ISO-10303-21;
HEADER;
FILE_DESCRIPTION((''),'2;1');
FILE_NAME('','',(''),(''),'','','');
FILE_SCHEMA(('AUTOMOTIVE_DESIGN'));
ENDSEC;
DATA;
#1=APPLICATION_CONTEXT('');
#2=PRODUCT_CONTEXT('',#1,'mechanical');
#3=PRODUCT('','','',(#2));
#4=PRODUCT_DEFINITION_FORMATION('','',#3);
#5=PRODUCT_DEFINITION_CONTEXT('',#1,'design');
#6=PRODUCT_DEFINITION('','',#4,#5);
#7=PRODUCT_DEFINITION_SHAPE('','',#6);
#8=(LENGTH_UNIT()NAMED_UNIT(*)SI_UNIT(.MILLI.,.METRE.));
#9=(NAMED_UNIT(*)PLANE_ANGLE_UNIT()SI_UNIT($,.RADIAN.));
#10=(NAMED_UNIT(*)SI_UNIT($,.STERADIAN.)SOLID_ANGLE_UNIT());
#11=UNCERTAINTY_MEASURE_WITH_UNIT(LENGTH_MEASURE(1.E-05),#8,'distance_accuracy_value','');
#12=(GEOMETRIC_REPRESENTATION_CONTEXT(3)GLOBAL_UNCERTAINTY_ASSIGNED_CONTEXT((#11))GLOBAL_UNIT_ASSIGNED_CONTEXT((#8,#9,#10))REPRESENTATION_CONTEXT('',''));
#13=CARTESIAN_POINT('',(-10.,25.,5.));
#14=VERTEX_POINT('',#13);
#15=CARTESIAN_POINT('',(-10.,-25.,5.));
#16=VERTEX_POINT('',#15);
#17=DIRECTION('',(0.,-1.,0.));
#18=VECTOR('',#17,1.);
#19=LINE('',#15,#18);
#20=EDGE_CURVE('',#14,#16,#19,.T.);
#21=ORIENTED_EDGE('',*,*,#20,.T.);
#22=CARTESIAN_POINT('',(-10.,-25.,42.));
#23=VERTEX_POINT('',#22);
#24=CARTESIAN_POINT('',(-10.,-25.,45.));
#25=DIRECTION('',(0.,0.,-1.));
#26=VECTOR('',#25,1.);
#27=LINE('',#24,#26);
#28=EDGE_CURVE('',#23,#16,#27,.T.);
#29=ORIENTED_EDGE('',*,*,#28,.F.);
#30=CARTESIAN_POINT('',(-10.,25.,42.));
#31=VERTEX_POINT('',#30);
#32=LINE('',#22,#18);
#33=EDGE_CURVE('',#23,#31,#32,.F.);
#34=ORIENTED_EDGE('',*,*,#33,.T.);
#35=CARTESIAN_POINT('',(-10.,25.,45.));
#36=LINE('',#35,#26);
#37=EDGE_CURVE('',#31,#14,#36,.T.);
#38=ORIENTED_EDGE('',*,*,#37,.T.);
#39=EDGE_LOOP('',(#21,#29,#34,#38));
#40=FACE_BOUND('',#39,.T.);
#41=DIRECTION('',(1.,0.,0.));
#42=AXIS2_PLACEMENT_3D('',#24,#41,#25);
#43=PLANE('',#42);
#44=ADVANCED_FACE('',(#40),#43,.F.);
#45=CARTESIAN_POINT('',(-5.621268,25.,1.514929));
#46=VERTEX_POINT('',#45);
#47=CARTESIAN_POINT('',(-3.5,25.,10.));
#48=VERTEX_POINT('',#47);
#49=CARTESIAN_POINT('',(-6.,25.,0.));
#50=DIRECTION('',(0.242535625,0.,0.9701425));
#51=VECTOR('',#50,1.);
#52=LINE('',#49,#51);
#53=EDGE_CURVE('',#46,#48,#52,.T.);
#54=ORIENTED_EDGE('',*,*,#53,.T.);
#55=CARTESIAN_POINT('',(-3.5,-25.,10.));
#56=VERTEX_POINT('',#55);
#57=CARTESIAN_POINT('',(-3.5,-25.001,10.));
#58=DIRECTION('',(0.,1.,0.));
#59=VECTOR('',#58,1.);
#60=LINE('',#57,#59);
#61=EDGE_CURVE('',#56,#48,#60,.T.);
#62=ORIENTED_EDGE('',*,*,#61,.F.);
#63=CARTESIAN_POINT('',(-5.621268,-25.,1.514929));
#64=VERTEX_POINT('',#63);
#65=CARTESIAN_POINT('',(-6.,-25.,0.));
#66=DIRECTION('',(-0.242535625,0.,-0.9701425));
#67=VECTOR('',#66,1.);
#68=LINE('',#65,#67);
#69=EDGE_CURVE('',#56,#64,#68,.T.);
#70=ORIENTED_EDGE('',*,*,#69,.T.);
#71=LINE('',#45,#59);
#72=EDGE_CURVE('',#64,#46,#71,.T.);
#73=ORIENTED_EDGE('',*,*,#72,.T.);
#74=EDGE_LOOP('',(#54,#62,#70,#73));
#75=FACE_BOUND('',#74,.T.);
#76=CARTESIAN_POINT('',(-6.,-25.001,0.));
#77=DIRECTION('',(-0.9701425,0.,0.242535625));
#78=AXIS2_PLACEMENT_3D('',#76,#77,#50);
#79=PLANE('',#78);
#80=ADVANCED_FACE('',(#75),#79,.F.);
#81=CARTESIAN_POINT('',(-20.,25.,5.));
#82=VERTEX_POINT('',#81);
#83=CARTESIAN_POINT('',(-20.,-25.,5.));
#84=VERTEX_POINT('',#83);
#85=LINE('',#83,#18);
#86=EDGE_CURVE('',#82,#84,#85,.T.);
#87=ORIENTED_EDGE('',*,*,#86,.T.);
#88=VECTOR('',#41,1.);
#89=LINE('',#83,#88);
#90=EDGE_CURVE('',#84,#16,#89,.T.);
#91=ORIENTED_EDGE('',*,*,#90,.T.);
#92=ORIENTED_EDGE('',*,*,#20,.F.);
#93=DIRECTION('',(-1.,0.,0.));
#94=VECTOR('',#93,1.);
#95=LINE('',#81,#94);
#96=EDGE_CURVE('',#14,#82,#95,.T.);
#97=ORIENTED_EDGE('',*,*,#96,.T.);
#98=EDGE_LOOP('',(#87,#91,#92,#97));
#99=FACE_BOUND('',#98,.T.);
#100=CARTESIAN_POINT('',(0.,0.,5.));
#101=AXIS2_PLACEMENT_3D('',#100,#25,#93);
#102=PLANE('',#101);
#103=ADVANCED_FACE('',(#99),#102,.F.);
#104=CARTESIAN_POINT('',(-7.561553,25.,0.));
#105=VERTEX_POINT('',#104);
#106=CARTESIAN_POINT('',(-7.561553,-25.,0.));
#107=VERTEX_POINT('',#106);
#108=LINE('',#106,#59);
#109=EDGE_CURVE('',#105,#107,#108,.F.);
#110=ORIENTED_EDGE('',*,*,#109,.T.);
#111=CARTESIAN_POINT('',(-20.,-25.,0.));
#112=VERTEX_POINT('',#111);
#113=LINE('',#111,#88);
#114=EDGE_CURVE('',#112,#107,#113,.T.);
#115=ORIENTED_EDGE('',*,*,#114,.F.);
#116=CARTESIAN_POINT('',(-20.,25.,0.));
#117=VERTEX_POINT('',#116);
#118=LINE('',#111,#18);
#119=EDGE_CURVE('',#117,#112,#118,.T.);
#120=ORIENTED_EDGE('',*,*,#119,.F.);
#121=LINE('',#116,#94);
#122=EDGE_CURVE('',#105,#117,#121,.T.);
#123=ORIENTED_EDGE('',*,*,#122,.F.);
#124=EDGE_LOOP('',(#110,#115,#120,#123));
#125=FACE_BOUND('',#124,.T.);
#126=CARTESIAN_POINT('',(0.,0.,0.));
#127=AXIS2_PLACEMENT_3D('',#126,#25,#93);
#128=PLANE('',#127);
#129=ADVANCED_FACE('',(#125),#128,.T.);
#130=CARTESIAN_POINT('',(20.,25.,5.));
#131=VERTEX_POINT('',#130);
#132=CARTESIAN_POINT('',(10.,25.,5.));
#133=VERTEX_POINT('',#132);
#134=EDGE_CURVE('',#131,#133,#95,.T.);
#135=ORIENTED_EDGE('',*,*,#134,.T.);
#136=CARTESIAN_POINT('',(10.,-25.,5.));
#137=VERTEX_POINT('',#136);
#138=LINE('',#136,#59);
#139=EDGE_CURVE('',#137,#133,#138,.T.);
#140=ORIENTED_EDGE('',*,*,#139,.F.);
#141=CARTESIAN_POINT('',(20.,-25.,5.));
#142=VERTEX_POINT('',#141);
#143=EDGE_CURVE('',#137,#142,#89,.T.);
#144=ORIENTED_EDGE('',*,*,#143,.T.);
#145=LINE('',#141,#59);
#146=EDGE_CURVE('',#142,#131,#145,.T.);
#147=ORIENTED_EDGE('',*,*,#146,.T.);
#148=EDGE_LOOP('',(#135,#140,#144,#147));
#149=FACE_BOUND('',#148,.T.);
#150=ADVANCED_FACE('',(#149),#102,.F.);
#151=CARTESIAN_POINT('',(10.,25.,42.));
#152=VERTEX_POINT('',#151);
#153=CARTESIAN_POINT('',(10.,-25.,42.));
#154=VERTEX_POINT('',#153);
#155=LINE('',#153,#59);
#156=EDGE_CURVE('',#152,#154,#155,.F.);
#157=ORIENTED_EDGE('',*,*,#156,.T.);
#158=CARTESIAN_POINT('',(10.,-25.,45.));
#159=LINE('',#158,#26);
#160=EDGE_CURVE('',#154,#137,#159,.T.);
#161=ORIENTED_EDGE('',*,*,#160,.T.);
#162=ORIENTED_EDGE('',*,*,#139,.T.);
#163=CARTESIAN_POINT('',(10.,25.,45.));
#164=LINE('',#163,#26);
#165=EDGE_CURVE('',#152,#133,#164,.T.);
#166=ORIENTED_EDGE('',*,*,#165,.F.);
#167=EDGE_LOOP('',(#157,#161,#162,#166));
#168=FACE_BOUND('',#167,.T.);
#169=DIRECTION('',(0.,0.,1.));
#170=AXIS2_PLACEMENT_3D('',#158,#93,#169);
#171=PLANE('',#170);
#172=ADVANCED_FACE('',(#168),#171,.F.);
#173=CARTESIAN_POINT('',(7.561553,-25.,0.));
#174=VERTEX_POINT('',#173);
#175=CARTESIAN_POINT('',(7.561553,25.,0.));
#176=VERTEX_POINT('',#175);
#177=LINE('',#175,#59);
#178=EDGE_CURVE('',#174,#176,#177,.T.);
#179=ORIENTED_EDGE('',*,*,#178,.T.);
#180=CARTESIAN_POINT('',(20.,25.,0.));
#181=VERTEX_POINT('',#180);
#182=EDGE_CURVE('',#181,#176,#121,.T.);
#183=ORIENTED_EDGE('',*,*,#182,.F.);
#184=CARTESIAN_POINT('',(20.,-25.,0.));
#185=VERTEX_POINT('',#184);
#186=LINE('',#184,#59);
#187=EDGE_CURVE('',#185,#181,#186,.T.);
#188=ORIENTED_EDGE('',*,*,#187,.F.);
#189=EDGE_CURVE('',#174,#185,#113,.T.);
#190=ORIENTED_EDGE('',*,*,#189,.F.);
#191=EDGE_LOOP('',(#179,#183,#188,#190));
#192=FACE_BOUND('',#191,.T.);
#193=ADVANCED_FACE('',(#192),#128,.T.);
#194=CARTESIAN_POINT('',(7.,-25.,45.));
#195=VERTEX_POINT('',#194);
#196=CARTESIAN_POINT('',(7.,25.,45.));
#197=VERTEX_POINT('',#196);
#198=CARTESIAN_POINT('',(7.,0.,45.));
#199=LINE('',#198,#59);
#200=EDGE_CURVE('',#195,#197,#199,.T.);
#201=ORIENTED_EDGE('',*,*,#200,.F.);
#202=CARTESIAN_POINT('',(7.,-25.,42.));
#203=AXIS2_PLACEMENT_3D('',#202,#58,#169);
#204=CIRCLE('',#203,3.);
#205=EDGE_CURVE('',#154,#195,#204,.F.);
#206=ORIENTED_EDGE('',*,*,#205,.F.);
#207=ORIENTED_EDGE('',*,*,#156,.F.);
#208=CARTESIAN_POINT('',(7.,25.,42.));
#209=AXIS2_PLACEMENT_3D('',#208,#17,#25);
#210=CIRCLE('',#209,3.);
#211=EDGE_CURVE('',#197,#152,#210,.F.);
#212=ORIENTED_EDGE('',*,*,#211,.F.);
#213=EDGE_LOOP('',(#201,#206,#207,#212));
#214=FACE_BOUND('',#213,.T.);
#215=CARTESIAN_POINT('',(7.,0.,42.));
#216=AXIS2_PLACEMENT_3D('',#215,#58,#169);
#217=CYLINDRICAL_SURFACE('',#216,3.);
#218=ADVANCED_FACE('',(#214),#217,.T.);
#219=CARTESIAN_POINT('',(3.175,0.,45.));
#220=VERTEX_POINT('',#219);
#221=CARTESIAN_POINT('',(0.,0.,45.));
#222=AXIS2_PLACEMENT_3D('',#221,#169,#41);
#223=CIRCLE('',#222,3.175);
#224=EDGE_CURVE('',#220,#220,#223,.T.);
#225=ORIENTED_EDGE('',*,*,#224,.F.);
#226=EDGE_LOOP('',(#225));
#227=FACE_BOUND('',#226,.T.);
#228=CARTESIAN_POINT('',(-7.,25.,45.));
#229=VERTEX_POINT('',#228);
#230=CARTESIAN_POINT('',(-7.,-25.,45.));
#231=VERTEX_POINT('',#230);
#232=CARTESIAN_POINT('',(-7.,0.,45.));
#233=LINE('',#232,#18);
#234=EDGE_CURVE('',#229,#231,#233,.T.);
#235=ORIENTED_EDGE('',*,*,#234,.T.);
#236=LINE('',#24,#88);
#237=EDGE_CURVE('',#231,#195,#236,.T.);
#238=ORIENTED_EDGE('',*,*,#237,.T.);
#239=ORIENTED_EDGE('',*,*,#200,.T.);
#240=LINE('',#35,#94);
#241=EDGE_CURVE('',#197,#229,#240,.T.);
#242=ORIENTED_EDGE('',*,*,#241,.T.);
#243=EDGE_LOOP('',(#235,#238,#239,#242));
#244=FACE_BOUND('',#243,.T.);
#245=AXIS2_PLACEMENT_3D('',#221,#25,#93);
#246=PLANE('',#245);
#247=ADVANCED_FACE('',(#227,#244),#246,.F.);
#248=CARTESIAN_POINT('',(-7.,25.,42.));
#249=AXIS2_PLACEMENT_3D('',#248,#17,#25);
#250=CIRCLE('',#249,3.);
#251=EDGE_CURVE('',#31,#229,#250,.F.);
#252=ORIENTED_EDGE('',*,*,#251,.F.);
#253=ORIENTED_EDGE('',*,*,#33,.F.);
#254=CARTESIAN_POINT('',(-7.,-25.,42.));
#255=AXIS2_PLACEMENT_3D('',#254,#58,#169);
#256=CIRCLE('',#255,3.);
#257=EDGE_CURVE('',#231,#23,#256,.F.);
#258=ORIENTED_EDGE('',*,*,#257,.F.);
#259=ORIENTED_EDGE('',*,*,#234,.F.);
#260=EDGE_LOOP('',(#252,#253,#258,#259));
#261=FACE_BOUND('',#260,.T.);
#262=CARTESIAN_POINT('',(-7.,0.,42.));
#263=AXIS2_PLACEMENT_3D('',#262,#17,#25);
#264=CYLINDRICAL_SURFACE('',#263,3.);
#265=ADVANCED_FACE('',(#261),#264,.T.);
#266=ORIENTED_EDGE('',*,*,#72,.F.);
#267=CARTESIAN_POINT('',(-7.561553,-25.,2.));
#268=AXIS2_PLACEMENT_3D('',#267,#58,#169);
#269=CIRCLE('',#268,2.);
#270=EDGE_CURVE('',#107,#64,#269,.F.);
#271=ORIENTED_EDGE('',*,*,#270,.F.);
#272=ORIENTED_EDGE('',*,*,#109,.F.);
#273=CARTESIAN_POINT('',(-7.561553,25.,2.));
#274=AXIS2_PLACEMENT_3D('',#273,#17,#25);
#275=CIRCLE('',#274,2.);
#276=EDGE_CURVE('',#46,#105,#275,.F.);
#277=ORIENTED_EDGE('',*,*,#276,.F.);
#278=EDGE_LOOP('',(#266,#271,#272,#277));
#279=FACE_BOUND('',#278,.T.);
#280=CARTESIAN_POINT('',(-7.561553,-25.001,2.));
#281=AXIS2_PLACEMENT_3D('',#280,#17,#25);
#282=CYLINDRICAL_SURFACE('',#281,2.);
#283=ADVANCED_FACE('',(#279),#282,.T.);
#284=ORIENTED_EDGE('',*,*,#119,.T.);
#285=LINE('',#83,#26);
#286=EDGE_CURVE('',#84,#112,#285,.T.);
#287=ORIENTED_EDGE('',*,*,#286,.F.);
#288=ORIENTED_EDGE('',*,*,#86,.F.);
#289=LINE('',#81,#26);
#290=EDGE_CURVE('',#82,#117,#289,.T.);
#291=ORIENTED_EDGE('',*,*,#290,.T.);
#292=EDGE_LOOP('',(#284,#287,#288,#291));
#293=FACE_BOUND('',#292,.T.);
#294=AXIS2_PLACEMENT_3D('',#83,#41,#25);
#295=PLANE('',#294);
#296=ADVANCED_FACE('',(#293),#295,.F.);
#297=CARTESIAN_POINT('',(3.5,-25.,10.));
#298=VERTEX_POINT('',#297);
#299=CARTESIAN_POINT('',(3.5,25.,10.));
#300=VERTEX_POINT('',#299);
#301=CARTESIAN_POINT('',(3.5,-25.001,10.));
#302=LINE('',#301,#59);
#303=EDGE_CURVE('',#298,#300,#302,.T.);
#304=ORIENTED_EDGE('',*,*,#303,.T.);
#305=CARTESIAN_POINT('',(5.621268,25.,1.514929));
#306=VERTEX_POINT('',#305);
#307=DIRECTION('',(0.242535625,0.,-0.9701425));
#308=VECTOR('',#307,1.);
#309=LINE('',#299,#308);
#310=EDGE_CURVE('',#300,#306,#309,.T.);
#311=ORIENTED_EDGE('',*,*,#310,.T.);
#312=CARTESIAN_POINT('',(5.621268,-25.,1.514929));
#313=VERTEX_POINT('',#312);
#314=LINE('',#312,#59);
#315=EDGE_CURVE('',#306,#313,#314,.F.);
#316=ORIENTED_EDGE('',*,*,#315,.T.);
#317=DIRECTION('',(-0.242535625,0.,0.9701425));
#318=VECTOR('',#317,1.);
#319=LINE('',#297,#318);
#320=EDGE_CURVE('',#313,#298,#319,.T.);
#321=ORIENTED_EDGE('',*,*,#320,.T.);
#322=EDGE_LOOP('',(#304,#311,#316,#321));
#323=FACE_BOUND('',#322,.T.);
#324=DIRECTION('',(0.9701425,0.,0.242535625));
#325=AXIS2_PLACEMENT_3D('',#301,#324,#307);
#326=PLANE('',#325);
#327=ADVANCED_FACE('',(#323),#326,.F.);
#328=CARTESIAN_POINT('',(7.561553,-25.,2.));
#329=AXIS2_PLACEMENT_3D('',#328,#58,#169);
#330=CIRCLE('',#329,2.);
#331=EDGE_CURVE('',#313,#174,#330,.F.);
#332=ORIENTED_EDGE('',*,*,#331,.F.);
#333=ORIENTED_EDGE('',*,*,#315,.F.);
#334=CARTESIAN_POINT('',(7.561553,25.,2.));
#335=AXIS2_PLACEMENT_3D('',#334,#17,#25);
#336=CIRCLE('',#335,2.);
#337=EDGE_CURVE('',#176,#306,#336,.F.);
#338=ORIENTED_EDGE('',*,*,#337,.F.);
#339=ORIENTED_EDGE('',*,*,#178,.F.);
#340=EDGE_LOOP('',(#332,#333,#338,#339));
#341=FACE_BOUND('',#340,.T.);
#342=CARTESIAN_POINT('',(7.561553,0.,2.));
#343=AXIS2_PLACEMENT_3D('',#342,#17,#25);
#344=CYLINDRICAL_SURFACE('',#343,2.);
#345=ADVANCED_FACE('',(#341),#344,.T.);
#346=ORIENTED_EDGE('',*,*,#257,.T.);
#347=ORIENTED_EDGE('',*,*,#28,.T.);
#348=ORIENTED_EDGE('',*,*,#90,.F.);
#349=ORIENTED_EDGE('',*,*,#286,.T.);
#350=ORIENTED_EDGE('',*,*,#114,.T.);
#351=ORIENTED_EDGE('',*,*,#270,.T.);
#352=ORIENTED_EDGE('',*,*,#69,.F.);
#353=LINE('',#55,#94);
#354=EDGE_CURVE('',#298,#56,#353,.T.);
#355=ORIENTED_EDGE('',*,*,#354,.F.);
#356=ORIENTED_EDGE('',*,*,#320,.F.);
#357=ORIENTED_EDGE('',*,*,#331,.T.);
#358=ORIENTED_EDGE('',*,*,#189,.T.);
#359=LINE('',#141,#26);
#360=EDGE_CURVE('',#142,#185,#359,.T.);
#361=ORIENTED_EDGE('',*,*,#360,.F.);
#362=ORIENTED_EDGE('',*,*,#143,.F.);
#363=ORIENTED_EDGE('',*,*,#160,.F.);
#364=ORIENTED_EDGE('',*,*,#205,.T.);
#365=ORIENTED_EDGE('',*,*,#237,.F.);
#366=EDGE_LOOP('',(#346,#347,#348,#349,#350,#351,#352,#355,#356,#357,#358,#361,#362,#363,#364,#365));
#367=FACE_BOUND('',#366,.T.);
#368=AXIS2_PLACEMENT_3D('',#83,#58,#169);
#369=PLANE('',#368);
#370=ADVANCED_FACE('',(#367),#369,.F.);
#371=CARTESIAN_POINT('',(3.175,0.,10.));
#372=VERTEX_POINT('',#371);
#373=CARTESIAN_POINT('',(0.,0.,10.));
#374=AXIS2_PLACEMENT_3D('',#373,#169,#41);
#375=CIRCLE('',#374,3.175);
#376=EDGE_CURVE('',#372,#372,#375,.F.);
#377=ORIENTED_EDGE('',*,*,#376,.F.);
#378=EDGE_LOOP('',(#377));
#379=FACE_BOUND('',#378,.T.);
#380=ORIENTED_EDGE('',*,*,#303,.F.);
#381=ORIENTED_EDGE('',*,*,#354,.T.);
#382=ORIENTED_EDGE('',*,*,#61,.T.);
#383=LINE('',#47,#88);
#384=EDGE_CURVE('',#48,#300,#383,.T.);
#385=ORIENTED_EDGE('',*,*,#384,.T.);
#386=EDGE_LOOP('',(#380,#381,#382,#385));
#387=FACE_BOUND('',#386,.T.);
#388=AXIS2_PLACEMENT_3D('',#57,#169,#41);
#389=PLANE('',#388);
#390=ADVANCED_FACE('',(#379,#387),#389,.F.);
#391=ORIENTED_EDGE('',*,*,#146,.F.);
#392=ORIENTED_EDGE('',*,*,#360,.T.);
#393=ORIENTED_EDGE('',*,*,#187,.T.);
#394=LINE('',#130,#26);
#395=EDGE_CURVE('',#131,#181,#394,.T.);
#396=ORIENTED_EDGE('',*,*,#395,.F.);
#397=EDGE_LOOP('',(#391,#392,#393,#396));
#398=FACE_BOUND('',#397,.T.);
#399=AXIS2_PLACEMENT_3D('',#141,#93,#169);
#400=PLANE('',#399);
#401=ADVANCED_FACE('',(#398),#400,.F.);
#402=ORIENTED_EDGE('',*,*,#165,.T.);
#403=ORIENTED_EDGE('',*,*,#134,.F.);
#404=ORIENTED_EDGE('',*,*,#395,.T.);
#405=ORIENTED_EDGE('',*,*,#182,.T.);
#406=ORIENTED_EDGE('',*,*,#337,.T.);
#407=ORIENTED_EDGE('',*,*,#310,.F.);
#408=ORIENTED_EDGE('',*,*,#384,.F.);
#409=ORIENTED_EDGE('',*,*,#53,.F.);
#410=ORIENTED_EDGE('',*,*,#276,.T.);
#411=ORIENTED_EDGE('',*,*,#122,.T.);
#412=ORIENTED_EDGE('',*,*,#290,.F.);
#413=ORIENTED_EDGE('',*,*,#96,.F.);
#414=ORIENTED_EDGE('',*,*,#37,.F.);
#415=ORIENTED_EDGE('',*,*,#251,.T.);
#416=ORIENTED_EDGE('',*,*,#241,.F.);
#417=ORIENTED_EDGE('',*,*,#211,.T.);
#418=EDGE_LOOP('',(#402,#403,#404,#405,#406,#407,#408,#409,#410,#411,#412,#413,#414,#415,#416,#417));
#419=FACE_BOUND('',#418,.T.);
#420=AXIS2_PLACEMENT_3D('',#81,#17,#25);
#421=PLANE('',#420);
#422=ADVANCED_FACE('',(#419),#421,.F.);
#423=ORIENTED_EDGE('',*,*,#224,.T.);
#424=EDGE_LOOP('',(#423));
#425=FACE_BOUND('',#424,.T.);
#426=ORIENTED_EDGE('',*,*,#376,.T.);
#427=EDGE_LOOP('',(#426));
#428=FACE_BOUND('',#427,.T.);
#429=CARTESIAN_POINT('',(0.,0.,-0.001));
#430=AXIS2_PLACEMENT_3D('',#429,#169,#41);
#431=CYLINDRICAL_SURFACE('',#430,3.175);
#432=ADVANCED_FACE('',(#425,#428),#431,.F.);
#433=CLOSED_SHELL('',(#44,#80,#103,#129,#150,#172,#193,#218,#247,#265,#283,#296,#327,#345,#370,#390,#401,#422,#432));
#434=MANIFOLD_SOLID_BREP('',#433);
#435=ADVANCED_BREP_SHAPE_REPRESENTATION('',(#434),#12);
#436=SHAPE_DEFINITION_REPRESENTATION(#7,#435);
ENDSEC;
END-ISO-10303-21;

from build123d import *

# Parameters (mm, degrees)
CROQUIS1_W              = 40
CROQUIS1_H              = 50
SALIENTE_EXTRUIR1_DEPTH = 5
CROQUIS2_W              = 20
CROQUIS2_H              = 50
SALIENTE_EXTRUIR2_DEPTH = 40
CORTAR_EXTRUIR1_REACH   = 72.178
REDONDEO1_R             = 2
CORTAR_EXTRUIR2_REACH   = 57.227
CROQUIS4_R              = 3.175
REDONDEO2_R             = 3


with BuildPart() as part:
    # Croquis1 → Saliente-Extruir1 (new body)
    with BuildSketch(Plane.XY):
        Rectangle(CROQUIS1_W, CROQUIS1_H)
    extrude(amount=SALIENTE_EXTRUIR1_DEPTH)

    # Croquis2 → Saliente-Extruir2 (add)
    with BuildSketch(Plane.XY.offset(5)):
        Rectangle(CROQUIS2_W, CROQUIS2_H)
    extrude(amount=SALIENTE_EXTRUIR2_DEPTH)

    # Croquis3 → Cortar-Extruir1 (cut, up to next)
    with BuildSketch(Plane(origin=(0, 25, 0), x_dir=(1, 0, 0), z_dir=(0, 1, 0)), mode=Mode.PRIVATE) as cortar_extruir1_sk1:
        Polygon((-6, 0), (-3.5, -10), (3.5, -10), (6, 0), align=None)
    cortar_extruir1_tool1 = extrude(cortar_extruir1_sk1.sketch, amount=-CORTAR_EXTRUIR1_REACH, mode=Mode.PRIVATE) & part.part
    add(cortar_extruir1_tool1.solids().sort_by_distance((0, 25, 4.561404))[0], mode=Mode.SUBTRACT)

    # Redondeo1
    redondeo1_edges = [part.edges().sort_by_distance(p)[0] for p in [
        (-6, 0, 0),
        (6, 0, 0),
    ]]
    fillet(redondeo1_edges, radius=REDONDEO1_R)

    # Croquis4 → Cortar-Extruir2 (cut, up to next)
    with BuildSketch(Plane.XY.offset(45), mode=Mode.PRIVATE) as cortar_extruir2_sk1:
        Circle(CROQUIS4_R)
    cortar_extruir2_tool1 = extrude(cortar_extruir2_sk1.sketch, amount=-CORTAR_EXTRUIR2_REACH, mode=Mode.PRIVATE) & part.part
    add(cortar_extruir2_tool1.solids().sort_by_distance((0, 0, 45))[0], mode=Mode.SUBTRACT)

    # Redondeo2
    redondeo2_edges = [part.edges().sort_by_distance(p)[0] for p in [
        (10, 0, 45),
        (-10, 0, 45),
    ]]
    fillet(redondeo2_edges, radius=REDONDEO2_R)


solid = part.part
